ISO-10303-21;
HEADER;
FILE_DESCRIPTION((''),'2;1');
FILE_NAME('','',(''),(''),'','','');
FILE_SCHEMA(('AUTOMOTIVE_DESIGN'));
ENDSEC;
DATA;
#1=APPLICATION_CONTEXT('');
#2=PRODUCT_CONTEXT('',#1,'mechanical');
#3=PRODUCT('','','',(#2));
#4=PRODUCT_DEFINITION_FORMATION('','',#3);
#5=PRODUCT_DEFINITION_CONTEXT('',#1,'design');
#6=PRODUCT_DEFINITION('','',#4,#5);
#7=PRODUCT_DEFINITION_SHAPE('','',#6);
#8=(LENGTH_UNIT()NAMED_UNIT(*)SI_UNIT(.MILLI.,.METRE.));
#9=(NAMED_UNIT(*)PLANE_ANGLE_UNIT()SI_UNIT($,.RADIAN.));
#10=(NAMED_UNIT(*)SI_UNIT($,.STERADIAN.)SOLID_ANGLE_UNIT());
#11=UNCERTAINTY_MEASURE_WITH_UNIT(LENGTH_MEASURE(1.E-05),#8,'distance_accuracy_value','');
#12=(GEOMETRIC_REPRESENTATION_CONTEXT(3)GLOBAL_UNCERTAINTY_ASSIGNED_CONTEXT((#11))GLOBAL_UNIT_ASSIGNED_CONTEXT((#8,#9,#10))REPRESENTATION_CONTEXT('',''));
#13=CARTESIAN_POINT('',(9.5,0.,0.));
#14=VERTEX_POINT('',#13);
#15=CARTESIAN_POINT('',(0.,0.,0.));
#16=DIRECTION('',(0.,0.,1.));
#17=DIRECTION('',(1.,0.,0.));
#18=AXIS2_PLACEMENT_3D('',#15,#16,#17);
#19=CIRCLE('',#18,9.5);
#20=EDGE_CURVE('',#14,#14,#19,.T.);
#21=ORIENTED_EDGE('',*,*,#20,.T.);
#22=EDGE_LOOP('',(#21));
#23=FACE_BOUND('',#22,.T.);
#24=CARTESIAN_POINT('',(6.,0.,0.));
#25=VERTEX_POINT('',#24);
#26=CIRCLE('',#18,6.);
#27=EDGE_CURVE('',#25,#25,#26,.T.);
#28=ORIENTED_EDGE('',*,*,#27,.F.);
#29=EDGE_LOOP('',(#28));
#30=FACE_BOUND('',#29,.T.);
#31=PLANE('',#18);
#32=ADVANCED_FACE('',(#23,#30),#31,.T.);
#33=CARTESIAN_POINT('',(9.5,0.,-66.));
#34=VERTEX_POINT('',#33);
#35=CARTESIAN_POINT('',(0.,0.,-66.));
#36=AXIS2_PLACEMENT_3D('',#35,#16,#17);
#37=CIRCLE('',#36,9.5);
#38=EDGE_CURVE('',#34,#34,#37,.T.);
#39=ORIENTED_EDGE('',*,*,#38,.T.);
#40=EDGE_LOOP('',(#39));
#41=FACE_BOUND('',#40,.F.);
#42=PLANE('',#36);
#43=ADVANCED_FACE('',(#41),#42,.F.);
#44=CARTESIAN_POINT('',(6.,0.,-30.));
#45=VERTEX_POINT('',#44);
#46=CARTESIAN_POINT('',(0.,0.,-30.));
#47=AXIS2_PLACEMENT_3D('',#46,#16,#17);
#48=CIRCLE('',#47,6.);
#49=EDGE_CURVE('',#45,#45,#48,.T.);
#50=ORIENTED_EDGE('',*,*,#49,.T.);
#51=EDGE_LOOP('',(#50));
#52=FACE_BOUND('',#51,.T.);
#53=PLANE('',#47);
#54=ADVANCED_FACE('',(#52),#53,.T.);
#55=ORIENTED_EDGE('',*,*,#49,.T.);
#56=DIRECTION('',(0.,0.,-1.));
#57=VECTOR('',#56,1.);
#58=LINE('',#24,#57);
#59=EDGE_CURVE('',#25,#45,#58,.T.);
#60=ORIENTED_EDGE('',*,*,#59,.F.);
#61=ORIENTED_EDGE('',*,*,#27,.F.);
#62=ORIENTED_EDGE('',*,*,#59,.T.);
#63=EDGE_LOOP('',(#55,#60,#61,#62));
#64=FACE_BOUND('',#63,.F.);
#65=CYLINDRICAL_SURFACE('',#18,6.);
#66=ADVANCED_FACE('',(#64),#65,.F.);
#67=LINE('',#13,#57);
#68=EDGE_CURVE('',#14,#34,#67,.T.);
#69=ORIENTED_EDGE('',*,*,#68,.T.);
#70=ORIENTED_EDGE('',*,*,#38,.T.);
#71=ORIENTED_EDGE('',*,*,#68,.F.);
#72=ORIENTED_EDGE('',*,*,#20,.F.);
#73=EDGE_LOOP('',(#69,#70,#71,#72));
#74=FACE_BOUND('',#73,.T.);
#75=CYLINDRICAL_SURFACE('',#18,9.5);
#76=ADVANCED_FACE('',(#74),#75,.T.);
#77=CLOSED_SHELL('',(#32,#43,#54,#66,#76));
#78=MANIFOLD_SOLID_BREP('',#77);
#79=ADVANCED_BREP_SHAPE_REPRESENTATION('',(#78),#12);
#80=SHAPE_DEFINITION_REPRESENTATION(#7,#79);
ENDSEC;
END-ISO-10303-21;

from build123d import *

# Parameters (mm, degrees)
F0_R     = 9.5
F1_DEPTH = 66
F2_R     = 6
F3_DEPTH = 30


with BuildPart() as f1:
    # F0 (on Top) → F1 (new body)
    with BuildSketch(Plane.XY):
        Circle(F0_R)
    extrude(amount=-F1_DEPTH)

    # F2 (on Top) → F3 (cut)
    with BuildSketch(Plane.XY):
        Circle(F2_R)
    extrude(amount=-F3_DEPTH, mode=Mode.SUBTRACT)


solid = f1.part
